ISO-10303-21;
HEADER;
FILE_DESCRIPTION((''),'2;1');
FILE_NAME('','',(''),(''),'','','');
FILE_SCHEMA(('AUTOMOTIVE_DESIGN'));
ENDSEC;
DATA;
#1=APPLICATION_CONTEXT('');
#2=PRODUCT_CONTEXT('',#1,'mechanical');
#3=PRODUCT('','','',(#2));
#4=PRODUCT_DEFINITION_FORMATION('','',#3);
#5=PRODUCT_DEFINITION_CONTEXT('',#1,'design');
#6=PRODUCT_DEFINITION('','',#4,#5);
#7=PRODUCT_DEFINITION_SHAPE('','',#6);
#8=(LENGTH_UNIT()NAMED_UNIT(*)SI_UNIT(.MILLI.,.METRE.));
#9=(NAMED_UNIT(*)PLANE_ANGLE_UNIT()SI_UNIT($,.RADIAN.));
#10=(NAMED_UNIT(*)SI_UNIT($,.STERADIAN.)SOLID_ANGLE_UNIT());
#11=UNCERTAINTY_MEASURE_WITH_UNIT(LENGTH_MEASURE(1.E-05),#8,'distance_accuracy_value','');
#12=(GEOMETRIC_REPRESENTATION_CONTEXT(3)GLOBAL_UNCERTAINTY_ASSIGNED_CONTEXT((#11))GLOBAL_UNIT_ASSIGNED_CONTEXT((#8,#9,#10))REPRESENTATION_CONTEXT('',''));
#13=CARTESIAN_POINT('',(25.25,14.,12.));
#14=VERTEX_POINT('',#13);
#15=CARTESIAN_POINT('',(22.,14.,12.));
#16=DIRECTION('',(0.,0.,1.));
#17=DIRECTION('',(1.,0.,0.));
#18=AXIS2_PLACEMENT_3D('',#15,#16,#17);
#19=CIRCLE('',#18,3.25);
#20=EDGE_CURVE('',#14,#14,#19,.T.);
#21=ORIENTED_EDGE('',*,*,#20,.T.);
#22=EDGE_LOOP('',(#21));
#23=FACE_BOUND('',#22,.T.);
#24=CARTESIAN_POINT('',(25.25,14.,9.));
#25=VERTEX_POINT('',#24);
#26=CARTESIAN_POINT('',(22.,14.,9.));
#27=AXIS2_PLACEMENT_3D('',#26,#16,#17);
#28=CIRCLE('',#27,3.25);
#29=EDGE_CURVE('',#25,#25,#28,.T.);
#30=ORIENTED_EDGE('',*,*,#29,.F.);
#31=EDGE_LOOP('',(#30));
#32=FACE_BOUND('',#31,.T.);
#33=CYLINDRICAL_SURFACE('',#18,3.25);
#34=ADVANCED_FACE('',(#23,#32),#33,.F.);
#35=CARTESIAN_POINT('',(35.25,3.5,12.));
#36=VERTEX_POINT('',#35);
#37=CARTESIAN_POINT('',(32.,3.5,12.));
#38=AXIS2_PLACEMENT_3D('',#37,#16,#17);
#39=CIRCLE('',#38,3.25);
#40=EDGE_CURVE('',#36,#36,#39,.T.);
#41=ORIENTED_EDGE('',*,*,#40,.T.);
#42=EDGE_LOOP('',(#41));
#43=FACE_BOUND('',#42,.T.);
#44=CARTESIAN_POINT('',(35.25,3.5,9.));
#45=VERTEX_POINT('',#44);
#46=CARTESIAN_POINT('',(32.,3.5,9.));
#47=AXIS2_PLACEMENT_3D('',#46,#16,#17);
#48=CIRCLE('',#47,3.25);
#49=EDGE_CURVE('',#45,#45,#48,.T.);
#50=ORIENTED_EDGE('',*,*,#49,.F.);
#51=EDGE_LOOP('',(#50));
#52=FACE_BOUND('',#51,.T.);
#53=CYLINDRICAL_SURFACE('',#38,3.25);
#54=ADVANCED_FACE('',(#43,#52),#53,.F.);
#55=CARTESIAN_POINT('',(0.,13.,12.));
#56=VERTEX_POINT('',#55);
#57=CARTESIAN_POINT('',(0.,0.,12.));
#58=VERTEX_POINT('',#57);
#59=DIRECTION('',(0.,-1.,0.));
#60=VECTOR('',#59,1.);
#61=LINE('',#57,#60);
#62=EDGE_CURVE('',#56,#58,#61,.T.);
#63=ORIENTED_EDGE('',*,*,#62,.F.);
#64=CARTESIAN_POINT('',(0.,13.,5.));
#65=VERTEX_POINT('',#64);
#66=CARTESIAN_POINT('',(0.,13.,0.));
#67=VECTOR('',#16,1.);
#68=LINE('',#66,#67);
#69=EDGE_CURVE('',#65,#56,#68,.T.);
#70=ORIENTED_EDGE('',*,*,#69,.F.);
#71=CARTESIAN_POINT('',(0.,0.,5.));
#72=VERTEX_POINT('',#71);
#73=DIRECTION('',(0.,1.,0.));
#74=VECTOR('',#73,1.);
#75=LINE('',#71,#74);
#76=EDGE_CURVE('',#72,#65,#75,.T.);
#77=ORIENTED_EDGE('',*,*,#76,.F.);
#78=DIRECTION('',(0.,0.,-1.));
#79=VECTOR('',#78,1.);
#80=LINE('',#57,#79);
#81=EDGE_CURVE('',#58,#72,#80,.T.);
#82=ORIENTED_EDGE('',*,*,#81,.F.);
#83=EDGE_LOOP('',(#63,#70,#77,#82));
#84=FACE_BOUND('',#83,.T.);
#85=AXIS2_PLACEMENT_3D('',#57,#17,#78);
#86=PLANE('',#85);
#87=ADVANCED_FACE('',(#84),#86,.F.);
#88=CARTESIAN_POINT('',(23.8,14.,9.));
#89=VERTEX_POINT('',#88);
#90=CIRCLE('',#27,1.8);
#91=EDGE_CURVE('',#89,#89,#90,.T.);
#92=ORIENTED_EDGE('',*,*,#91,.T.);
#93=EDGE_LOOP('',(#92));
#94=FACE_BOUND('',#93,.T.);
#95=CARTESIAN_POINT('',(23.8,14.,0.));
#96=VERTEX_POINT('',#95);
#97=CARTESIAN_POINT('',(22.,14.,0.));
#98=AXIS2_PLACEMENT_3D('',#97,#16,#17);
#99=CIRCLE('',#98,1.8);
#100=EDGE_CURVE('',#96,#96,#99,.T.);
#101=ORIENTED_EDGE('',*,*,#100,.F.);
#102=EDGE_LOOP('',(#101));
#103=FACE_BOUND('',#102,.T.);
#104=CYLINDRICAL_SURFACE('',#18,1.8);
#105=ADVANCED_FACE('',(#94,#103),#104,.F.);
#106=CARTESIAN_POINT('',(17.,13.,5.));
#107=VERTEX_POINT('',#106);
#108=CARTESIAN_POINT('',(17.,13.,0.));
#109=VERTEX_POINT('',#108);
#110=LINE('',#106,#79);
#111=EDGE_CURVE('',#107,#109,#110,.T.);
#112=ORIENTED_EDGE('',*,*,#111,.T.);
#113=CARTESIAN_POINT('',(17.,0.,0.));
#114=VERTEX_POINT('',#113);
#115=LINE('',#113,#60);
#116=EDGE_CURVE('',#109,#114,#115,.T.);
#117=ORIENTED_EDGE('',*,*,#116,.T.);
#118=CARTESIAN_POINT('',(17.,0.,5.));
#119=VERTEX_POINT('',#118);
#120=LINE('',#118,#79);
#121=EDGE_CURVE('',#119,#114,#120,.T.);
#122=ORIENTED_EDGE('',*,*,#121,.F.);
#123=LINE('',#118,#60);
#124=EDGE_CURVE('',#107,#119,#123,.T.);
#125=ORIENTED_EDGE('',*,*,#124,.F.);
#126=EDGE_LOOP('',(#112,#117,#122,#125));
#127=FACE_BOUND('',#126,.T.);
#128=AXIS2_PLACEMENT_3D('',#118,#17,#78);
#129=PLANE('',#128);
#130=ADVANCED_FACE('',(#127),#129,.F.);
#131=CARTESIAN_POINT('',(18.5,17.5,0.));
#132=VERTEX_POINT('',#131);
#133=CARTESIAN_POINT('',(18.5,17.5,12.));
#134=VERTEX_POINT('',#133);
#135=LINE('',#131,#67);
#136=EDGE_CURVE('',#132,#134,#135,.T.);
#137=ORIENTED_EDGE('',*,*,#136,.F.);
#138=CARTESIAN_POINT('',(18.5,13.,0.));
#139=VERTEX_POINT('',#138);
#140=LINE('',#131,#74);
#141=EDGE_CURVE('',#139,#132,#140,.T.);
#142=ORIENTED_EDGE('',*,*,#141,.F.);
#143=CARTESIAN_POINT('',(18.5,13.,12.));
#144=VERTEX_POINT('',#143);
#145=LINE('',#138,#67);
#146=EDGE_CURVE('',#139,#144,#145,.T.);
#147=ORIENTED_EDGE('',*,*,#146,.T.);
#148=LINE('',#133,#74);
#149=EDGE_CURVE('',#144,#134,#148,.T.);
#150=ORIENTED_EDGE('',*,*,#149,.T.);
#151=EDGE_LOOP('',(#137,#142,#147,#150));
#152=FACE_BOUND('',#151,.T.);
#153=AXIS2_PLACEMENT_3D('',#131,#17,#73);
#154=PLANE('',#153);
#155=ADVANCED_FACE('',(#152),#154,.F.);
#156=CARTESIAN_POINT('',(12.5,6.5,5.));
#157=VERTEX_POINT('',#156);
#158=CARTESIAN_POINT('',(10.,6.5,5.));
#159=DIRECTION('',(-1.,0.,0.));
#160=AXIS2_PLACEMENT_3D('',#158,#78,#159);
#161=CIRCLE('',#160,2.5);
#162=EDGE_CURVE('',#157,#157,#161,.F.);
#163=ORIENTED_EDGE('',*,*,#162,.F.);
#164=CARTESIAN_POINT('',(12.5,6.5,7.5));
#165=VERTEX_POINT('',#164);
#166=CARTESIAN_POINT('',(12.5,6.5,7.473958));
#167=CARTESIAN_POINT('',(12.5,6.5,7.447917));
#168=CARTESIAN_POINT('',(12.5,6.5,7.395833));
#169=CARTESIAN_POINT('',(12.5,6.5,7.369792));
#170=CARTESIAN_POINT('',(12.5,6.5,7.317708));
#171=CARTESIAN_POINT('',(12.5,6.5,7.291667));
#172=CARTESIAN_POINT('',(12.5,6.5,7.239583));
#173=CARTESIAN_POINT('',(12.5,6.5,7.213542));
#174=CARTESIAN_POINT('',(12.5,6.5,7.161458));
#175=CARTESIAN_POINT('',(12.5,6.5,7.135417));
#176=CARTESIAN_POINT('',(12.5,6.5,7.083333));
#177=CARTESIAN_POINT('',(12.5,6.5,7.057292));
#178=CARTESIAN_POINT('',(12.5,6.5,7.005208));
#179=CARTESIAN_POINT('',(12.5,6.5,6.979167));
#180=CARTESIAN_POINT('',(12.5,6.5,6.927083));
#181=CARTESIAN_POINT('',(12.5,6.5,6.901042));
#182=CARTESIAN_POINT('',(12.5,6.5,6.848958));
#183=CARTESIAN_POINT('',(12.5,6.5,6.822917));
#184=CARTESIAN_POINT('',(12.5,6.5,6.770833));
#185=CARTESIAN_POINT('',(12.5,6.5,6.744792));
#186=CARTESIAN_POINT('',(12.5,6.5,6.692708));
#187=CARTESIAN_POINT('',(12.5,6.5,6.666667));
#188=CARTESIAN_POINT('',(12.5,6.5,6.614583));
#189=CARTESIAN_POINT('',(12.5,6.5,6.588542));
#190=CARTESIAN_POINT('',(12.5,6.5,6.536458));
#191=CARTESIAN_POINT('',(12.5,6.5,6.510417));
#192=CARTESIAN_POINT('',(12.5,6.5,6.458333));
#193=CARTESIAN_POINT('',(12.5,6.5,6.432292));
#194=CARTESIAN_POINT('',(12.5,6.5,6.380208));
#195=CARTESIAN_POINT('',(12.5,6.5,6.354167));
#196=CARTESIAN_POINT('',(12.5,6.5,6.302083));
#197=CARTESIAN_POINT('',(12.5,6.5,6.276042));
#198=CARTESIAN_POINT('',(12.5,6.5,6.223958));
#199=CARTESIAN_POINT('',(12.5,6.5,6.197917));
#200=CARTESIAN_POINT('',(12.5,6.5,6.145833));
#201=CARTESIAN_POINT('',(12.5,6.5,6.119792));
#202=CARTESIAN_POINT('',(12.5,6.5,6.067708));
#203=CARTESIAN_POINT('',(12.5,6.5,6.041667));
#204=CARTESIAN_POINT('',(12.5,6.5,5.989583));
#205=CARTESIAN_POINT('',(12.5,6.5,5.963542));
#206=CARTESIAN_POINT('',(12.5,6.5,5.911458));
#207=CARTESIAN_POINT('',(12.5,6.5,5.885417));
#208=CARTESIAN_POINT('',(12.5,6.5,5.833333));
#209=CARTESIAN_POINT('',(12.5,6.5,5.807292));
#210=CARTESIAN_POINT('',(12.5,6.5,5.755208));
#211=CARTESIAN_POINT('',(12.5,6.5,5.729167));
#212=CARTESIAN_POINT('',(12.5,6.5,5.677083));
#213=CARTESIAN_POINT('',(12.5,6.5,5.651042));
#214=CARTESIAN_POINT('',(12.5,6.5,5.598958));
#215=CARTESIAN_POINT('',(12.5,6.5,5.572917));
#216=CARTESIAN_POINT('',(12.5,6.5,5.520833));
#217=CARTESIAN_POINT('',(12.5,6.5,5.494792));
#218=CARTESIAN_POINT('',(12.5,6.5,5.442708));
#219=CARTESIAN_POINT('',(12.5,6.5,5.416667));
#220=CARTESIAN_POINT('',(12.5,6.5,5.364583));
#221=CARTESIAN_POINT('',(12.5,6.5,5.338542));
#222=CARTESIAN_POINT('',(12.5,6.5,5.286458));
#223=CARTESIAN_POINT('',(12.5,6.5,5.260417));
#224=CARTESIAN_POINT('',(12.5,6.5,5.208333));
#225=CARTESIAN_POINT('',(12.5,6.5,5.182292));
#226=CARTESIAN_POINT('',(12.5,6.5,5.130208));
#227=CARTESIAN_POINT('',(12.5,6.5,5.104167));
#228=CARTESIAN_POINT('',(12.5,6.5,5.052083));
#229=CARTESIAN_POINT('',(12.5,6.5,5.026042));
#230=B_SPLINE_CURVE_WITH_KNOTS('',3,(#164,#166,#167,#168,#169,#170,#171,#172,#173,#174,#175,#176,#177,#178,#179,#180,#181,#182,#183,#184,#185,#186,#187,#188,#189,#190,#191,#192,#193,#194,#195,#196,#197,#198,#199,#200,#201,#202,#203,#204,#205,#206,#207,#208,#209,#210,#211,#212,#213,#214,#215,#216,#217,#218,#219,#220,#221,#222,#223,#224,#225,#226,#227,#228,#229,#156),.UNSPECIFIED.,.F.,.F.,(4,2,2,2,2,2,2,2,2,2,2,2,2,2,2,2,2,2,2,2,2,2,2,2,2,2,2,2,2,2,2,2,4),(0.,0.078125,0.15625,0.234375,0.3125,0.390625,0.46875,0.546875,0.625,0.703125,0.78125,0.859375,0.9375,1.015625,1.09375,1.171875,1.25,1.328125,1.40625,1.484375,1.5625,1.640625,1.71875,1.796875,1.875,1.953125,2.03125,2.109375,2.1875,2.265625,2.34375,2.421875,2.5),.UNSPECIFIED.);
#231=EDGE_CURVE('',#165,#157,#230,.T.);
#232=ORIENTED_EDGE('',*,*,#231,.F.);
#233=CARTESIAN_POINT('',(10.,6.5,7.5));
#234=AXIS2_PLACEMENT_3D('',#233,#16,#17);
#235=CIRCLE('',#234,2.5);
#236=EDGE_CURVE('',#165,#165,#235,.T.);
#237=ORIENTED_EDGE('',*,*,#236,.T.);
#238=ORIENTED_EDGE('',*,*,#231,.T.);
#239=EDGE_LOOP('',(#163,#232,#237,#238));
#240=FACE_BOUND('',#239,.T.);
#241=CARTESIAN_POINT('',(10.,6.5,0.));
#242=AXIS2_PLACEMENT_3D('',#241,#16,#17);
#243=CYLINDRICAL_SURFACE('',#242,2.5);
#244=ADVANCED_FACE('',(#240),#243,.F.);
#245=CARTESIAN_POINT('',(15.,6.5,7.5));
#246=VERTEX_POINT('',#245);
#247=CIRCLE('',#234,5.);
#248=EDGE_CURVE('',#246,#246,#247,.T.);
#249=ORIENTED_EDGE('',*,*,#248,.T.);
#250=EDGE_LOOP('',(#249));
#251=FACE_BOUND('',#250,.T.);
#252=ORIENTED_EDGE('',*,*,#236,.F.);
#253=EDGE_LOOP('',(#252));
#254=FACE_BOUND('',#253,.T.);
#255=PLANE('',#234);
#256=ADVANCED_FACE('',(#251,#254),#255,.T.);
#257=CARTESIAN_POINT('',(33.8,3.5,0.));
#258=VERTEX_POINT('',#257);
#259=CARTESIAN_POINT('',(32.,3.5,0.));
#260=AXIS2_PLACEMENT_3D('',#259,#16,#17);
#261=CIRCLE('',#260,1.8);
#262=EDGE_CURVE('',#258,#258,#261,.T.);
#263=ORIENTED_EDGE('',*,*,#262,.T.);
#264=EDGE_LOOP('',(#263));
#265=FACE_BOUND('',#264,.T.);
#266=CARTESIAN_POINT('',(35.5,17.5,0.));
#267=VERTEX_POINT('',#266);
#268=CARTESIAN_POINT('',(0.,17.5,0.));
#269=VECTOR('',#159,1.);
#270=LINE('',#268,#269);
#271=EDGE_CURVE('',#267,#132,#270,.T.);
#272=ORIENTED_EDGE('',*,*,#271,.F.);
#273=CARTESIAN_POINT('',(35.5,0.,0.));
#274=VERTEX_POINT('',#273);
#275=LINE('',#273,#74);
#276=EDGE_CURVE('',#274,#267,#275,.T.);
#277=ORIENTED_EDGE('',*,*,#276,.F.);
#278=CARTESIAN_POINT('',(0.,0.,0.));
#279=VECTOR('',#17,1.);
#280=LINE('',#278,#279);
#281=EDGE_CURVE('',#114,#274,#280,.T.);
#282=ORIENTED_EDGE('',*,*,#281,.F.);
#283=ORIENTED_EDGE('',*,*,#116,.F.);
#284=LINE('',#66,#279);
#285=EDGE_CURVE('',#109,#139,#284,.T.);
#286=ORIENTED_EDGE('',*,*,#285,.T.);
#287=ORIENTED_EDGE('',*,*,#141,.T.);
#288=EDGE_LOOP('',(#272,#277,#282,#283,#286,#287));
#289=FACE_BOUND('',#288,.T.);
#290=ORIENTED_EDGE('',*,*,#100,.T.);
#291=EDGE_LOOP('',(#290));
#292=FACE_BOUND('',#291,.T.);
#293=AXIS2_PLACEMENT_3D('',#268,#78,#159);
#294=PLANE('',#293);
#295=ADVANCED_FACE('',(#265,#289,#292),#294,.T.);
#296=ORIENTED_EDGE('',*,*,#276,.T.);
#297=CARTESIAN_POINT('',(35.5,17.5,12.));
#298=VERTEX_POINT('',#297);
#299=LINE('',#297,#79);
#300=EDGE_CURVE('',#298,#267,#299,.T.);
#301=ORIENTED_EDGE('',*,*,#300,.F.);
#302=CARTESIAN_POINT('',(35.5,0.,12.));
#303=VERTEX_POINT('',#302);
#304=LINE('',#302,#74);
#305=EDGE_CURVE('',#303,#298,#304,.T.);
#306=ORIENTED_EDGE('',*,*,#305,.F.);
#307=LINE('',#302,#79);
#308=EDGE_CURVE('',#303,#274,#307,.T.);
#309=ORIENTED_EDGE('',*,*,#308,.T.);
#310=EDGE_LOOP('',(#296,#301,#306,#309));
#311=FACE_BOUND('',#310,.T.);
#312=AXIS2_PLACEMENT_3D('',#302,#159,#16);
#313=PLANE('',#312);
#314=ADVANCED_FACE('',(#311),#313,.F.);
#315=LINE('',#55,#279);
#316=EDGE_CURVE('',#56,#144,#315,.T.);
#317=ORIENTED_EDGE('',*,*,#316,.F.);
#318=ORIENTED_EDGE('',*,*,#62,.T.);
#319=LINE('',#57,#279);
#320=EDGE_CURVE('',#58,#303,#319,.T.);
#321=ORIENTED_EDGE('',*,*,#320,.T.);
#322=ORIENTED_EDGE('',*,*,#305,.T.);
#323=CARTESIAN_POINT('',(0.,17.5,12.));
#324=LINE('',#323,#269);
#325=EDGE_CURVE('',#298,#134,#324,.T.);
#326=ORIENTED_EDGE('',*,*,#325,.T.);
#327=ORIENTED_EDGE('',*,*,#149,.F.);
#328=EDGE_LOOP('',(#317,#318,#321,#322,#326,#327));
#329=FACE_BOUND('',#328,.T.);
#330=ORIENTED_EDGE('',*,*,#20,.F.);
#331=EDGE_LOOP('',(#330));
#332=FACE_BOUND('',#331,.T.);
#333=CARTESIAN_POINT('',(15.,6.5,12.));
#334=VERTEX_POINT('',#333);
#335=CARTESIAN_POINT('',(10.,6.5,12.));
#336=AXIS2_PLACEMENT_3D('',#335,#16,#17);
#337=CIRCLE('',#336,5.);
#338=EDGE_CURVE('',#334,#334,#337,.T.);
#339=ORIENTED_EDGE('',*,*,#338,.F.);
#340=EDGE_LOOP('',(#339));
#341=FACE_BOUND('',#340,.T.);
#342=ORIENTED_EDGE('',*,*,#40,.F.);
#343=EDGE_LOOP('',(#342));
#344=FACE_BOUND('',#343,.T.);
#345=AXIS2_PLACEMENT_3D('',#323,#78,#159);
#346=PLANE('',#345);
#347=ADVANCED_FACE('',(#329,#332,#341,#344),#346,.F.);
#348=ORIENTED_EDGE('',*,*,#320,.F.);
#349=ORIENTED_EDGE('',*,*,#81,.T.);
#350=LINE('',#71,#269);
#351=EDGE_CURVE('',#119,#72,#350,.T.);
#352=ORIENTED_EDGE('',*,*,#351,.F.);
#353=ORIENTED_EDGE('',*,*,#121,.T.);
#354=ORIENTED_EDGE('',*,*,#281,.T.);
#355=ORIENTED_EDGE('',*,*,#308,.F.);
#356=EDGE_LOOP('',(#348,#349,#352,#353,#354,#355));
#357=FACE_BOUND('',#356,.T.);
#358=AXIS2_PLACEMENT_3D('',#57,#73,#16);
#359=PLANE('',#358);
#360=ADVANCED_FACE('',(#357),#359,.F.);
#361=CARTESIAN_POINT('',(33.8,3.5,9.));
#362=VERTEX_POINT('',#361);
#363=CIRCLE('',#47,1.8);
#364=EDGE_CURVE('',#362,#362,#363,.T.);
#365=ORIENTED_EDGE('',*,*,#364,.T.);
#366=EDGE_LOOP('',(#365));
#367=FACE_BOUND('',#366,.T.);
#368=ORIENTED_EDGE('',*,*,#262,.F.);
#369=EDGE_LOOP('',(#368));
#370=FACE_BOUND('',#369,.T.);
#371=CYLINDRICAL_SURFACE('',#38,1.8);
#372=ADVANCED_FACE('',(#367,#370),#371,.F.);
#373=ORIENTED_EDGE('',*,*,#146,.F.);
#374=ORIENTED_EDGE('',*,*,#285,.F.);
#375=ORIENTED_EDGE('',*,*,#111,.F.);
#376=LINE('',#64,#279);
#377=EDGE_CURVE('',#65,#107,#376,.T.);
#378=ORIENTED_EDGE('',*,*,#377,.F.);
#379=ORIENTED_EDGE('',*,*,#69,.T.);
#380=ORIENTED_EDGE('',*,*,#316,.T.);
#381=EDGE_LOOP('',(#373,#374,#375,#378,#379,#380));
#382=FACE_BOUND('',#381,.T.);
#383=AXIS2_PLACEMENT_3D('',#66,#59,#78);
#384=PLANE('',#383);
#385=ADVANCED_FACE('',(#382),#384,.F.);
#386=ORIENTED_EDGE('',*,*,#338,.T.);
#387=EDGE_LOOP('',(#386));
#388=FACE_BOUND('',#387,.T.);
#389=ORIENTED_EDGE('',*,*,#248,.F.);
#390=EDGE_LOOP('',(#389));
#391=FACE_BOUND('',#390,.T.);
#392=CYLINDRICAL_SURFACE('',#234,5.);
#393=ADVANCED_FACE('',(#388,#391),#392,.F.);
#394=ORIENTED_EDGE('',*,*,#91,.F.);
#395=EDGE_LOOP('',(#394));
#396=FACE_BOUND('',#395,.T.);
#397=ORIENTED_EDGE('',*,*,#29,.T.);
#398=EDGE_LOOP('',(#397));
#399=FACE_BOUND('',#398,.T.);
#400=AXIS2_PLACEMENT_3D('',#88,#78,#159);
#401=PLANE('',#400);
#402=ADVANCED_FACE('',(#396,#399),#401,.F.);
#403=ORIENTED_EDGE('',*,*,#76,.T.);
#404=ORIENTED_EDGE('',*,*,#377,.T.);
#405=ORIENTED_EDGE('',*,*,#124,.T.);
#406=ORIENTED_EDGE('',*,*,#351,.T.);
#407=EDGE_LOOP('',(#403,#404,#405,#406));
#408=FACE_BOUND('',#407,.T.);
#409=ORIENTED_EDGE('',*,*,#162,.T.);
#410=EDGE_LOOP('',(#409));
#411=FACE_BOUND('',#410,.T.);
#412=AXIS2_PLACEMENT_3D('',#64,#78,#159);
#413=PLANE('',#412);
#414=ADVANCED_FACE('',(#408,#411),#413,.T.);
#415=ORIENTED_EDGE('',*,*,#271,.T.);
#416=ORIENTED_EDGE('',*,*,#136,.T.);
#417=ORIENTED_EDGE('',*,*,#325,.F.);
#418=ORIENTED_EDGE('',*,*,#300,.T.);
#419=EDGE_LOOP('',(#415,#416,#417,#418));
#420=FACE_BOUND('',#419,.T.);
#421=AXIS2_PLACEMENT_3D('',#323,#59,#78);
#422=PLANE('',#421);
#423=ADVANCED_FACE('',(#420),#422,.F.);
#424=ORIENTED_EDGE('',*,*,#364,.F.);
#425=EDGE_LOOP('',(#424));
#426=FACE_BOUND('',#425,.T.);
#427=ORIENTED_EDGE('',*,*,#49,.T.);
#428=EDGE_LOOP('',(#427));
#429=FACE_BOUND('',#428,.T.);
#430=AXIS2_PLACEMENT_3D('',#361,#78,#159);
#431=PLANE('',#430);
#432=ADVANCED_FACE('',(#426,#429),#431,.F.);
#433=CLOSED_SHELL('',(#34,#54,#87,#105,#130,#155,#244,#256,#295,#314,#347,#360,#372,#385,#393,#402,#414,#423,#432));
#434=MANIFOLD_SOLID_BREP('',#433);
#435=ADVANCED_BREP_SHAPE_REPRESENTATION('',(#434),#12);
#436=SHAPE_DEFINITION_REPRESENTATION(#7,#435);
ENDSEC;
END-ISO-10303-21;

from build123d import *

# Parameters (mm, degrees)
SKETCH_1_W                   = 35.5
SKETCH_1_H                   = 17.5
EXTRUDE_1_DEPTH              = 12
SKETCH_2_W                   = 18.5
SKETCH_2_H                   = 4.5
CUT_EXTRUDE_1_DEPTH          = 42.35819145
SKETCH_3_R                   = 5
CUT_EXTRUDE_2_DEPTH          = 4.5
HOLE_WIZARD_M3_1_D           = 3.6
HOLE_WIZARD_M3_1_CBORE_D     = 6.5
HOLE_WIZARD_M3_1_CBORE_DEPTH = 3
SKETCH_8_R                   = 2.5
CUT_EXTRUDE_3_DEPTH          = 41.283371259
SKETCH_10_W                  = 17
SKETCH_10_H                  = 13
CUT_EXTRUDE_4_DEPTH          = 5


with BuildPart() as part:
    # 草图1 → 凸台-拉伸1 (new body)
    with BuildSketch(Plane.XY):
        with Locations((17.75, 8.75)):
            Rectangle(SKETCH_1_W, SKETCH_1_H)
    extrude(amount=EXTRUDE_1_DEPTH)

    # 草图2 → 切除-拉伸1 (cut, through all)
    with BuildSketch(Plane.XY.offset(12)):
        with Locations((9.25, 15.25)):
            Rectangle(SKETCH_2_W, SKETCH_2_H)
    extrude(amount=-CUT_EXTRUDE_1_DEPTH, mode=Mode.SUBTRACT)

    # 草图3 → 切除-拉伸2 (cut)
    with BuildSketch(Plane.XY.offset(12)):
        with Locations((10, 6.5)):
            Circle(SKETCH_3_R)
    extrude(amount=-CUT_EXTRUDE_2_DEPTH, mode=Mode.SUBTRACT)

    # M3 六角凹头螺钉的柱形沉头孔1 (through all)
    with Locations(Plane.XY.offset(12)):
        with Locations((22, 14), (32, 3.5)):
            CounterBoreHole(HOLE_WIZARD_M3_1_D / 2, HOLE_WIZARD_M3_1_CBORE_D / 2, HOLE_WIZARD_M3_1_CBORE_DEPTH)

    # 草图8 → 切除-拉伸3 (cut, through all)
    with BuildSketch(Plane.XY.offset(7.5)):
        with Locations((10, 6.5)):
            Circle(SKETCH_8_R)
    extrude(amount=-CUT_EXTRUDE_3_DEPTH, mode=Mode.SUBTRACT)

    # 草图10 → 切除-拉伸4 (cut)
    with BuildSketch(Plane(origin=(0, 0, 0), x_dir=(-1, 0, 0), z_dir=(0, 0, -1))):
        with Locations((-8.5, 6.5)):
            Rectangle(SKETCH_10_W, SKETCH_10_H)
    extrude(amount=-CUT_EXTRUDE_4_DEPTH, mode=Mode.SUBTRACT)


solid = part.part
